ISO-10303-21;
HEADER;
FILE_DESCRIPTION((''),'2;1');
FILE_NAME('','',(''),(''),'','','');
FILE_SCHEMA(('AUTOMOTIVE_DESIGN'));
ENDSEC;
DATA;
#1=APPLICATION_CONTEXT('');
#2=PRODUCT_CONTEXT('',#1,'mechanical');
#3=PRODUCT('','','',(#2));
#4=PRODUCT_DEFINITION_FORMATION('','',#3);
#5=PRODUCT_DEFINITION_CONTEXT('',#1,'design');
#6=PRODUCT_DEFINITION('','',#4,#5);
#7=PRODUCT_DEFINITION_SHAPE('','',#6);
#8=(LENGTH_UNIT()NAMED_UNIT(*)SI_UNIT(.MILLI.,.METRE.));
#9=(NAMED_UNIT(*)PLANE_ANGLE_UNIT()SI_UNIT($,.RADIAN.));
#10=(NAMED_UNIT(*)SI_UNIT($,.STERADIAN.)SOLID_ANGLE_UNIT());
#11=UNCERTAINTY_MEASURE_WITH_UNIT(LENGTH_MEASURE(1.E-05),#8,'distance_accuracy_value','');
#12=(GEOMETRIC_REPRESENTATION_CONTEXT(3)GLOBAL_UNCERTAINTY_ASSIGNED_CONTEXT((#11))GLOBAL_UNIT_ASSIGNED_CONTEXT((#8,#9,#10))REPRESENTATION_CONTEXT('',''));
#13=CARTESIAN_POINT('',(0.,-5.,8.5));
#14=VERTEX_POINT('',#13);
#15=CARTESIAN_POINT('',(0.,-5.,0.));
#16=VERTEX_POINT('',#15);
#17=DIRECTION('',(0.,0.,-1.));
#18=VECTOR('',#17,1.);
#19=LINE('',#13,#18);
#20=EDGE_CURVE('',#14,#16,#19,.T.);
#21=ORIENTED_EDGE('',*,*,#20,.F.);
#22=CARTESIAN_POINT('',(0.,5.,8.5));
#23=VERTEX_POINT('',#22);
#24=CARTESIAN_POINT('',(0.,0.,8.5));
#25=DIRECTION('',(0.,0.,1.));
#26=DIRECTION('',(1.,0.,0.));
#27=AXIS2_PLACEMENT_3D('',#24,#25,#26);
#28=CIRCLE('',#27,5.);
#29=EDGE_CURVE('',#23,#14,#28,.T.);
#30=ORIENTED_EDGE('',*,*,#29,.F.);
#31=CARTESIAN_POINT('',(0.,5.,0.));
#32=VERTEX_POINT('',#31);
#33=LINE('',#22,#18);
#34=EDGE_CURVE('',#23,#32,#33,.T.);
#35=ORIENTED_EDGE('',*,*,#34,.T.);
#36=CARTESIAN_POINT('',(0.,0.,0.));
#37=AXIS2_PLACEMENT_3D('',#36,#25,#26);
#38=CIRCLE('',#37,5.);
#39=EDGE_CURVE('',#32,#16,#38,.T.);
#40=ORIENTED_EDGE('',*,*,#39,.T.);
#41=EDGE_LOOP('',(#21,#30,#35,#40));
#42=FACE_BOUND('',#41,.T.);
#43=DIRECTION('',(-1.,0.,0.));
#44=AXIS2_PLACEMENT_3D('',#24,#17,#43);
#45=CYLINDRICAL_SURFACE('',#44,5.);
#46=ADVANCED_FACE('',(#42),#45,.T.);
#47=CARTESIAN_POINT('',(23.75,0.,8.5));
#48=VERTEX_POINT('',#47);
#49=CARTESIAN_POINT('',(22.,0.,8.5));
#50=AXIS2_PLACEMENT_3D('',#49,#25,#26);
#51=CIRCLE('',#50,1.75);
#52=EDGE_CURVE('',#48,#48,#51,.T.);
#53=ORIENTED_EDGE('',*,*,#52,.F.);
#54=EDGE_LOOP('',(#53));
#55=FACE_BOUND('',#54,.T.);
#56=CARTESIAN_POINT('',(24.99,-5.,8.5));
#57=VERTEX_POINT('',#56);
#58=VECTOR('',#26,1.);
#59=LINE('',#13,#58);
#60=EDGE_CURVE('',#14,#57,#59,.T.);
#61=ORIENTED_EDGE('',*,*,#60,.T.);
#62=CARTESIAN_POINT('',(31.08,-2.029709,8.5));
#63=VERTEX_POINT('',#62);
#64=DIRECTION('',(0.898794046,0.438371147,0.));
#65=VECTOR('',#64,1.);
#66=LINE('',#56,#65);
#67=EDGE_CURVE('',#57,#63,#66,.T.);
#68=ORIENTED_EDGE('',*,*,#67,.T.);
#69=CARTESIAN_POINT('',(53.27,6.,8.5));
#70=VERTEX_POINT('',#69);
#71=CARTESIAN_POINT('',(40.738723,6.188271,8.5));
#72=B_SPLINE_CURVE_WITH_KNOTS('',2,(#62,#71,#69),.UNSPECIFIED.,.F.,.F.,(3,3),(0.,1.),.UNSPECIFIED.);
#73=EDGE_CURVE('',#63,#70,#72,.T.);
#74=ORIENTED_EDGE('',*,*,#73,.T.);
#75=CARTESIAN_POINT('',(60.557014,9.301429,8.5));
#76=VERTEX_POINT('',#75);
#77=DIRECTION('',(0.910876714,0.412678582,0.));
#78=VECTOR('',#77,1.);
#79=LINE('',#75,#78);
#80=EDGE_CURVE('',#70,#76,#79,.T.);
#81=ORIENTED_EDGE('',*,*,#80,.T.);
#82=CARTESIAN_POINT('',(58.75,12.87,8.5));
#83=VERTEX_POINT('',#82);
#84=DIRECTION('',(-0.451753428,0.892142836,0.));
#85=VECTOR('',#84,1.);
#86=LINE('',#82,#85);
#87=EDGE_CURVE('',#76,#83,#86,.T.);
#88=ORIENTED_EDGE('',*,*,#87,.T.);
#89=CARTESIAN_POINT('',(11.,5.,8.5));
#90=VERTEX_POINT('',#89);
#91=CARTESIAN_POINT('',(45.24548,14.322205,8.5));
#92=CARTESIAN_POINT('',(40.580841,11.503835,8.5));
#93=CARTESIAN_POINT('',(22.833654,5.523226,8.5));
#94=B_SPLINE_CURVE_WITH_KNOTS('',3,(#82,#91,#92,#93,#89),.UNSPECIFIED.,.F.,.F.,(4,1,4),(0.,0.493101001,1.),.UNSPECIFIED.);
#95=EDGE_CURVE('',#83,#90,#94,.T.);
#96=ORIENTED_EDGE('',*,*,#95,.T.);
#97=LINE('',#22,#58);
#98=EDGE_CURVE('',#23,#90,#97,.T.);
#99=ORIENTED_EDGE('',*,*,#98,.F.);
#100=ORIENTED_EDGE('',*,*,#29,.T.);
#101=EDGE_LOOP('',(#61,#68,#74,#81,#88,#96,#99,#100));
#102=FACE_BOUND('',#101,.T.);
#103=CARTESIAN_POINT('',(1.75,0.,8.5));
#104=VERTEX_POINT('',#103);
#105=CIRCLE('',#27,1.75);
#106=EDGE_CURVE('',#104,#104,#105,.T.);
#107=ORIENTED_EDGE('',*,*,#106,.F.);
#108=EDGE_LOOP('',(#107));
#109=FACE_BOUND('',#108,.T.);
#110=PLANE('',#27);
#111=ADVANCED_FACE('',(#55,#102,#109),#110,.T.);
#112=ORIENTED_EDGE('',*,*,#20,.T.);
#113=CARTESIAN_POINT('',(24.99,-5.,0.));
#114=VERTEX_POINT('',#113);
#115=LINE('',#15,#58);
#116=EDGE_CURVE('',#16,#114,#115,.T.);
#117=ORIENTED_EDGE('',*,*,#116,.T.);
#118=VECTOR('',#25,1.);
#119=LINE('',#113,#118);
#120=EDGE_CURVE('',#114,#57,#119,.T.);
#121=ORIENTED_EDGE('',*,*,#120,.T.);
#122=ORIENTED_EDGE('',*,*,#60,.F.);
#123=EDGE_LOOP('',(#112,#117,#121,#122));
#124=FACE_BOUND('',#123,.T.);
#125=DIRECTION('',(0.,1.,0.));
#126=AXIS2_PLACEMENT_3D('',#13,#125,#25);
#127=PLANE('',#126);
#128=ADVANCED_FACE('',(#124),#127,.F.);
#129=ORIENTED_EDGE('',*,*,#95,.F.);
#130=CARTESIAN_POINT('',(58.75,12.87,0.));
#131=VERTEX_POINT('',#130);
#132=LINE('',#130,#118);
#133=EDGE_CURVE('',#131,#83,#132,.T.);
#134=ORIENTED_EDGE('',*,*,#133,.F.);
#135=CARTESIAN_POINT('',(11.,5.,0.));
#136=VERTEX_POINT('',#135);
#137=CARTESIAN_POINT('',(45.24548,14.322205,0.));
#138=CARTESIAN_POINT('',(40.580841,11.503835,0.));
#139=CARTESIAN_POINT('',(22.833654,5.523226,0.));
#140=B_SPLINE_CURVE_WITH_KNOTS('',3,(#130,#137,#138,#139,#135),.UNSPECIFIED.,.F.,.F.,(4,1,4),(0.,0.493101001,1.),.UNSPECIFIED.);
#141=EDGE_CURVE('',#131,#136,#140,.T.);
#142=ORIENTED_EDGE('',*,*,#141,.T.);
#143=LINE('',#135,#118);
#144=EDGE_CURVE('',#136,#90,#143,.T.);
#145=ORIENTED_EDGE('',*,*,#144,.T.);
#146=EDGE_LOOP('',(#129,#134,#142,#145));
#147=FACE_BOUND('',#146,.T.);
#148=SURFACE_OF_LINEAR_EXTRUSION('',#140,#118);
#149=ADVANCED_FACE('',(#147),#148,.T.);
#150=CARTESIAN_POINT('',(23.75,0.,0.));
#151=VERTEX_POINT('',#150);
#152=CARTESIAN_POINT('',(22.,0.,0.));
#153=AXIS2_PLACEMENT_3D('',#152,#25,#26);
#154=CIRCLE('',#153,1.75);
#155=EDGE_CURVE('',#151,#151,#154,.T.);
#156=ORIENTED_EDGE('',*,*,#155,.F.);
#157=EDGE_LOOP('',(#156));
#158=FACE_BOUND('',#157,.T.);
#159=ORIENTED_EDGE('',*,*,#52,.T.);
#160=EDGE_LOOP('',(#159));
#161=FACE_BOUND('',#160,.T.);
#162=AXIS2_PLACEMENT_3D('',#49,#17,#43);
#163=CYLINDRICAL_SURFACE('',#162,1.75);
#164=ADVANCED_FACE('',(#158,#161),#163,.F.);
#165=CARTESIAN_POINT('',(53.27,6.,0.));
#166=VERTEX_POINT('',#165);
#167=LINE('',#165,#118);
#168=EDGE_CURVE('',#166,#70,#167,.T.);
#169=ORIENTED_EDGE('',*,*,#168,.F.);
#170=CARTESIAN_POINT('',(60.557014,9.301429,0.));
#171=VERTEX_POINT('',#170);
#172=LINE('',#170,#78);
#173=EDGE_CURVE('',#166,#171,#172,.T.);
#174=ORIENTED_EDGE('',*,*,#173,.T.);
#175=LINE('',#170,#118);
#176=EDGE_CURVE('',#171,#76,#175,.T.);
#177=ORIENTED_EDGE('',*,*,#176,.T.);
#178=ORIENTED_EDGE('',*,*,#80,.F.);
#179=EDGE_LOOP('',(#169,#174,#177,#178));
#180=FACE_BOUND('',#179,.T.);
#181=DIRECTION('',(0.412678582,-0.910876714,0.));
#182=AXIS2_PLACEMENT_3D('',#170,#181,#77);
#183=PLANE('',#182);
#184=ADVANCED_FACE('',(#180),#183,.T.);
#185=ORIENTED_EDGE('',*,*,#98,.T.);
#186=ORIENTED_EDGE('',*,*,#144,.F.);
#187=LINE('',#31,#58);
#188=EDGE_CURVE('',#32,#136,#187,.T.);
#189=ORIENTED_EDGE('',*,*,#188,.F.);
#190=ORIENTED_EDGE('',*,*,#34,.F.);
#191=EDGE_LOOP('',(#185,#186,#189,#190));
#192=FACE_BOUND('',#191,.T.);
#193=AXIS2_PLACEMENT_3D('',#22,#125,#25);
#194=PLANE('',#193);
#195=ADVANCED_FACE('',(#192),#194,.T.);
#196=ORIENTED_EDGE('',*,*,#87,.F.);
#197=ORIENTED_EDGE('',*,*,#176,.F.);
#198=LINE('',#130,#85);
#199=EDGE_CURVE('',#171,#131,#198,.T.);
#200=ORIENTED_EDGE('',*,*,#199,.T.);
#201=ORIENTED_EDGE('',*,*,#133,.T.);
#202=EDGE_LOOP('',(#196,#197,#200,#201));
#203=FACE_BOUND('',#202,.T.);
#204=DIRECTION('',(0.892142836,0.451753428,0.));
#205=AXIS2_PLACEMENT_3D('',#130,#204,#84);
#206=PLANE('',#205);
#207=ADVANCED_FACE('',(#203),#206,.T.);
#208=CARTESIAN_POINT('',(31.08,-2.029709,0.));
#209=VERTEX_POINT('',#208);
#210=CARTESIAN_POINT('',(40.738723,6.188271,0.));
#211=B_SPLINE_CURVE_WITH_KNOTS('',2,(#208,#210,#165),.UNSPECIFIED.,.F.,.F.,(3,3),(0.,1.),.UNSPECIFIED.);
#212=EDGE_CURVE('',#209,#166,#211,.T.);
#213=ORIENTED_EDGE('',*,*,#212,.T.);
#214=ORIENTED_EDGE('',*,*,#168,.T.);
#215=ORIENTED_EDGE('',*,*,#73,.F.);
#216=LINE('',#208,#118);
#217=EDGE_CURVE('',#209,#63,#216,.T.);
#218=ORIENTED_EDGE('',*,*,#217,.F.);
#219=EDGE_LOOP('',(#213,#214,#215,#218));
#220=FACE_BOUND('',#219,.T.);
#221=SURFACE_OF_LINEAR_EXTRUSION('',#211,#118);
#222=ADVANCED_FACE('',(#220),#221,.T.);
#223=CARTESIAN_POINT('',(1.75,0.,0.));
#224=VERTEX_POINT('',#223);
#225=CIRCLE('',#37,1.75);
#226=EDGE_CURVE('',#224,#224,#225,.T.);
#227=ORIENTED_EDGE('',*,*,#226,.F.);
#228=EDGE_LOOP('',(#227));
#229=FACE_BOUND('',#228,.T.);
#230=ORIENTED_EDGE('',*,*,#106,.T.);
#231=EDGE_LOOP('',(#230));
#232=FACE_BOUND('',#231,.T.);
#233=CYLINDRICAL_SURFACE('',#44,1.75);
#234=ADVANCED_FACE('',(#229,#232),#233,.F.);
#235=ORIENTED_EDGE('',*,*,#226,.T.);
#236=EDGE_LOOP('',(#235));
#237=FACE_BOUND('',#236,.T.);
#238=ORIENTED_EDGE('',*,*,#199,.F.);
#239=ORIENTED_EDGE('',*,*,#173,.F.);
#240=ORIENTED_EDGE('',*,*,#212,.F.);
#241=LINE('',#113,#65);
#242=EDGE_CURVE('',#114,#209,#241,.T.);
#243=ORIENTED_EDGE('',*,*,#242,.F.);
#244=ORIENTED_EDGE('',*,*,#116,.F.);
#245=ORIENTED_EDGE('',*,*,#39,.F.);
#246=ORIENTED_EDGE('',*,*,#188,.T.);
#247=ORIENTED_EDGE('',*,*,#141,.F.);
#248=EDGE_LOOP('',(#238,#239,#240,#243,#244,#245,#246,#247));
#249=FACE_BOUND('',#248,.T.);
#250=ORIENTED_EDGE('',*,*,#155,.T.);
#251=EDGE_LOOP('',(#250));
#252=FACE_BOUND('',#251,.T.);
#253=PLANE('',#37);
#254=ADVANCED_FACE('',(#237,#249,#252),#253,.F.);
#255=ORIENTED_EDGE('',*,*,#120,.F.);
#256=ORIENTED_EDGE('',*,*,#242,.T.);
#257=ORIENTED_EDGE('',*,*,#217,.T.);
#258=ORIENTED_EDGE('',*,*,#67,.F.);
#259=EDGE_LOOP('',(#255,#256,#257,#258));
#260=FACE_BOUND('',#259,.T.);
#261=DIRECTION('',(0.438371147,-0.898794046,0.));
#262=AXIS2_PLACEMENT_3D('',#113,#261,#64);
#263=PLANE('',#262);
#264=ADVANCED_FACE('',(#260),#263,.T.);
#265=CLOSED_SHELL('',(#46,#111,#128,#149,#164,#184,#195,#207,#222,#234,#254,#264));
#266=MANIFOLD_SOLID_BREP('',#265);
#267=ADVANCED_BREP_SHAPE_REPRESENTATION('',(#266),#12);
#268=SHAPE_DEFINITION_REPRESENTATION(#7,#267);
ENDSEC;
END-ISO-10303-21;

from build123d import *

# Parameters (mm, degrees)
SKETCH1_R           = 1.75
BOSS_EXTRUDE1_DEPTH = 8.5
BOSS_EXTRUDE2_DEPTH = 8.5


with BuildPart() as part:
    # Sketch1 → Boss-Extrude1 (new body)
    with BuildSketch(Plane.XY):
        with BuildLine():
            Line((22, 5), (0, 5))
            ThreePointArc((0, 5), (-5, 0), (0, -5))
            Line((0, -5), (22, -5))
            ThreePointArc((22, -5), (27, 0), (22, 5))
        make_face()
        Circle(SKETCH1_R, mode=Mode.SUBTRACT)
        with Locations((22, 0)):
            Circle(SKETCH1_R, mode=Mode.SUBTRACT)
    extrude(amount=BOSS_EXTRUDE1_DEPTH)

    # Sketch2 → Boss-Extrude2 (add)
    with BuildSketch(Plane.XY.offset(8.5)):
        with BuildLine():
            Line((22, -5), (24.99, -5))
            Line((24.99, -5), (31.08, -2.029708536))
            add(Edge.make_bspline(
                [(31.08, -2.029708536), (40.738723452, 6.188270814), (53.27, 6)],
                knots=[0, 0, 0, 1, 1, 1], degree=2))
            Line((53.27, 6), (60.557013712, 9.301428655))
            Line((60.557013712, 9.301428655), (58.75, 12.87))
            add(Edge.make_bspline(
                [(11, 5), (22.833653526, 5.523226448), (40.580841183, 11.503835096), (45.245480449, 14.322205425), (58.75, 12.87)],
                knots=[0, 0, 0, 0, 0.506898999, 1, 1, 1, 1], degree=3))
            Line((11, 5), (22, 5))
            ThreePointArc((22, 5), (27, 0), (22, -5))
        make_face()
    extrude(amount=-BOSS_EXTRUDE2_DEPTH)


solid = part.part
